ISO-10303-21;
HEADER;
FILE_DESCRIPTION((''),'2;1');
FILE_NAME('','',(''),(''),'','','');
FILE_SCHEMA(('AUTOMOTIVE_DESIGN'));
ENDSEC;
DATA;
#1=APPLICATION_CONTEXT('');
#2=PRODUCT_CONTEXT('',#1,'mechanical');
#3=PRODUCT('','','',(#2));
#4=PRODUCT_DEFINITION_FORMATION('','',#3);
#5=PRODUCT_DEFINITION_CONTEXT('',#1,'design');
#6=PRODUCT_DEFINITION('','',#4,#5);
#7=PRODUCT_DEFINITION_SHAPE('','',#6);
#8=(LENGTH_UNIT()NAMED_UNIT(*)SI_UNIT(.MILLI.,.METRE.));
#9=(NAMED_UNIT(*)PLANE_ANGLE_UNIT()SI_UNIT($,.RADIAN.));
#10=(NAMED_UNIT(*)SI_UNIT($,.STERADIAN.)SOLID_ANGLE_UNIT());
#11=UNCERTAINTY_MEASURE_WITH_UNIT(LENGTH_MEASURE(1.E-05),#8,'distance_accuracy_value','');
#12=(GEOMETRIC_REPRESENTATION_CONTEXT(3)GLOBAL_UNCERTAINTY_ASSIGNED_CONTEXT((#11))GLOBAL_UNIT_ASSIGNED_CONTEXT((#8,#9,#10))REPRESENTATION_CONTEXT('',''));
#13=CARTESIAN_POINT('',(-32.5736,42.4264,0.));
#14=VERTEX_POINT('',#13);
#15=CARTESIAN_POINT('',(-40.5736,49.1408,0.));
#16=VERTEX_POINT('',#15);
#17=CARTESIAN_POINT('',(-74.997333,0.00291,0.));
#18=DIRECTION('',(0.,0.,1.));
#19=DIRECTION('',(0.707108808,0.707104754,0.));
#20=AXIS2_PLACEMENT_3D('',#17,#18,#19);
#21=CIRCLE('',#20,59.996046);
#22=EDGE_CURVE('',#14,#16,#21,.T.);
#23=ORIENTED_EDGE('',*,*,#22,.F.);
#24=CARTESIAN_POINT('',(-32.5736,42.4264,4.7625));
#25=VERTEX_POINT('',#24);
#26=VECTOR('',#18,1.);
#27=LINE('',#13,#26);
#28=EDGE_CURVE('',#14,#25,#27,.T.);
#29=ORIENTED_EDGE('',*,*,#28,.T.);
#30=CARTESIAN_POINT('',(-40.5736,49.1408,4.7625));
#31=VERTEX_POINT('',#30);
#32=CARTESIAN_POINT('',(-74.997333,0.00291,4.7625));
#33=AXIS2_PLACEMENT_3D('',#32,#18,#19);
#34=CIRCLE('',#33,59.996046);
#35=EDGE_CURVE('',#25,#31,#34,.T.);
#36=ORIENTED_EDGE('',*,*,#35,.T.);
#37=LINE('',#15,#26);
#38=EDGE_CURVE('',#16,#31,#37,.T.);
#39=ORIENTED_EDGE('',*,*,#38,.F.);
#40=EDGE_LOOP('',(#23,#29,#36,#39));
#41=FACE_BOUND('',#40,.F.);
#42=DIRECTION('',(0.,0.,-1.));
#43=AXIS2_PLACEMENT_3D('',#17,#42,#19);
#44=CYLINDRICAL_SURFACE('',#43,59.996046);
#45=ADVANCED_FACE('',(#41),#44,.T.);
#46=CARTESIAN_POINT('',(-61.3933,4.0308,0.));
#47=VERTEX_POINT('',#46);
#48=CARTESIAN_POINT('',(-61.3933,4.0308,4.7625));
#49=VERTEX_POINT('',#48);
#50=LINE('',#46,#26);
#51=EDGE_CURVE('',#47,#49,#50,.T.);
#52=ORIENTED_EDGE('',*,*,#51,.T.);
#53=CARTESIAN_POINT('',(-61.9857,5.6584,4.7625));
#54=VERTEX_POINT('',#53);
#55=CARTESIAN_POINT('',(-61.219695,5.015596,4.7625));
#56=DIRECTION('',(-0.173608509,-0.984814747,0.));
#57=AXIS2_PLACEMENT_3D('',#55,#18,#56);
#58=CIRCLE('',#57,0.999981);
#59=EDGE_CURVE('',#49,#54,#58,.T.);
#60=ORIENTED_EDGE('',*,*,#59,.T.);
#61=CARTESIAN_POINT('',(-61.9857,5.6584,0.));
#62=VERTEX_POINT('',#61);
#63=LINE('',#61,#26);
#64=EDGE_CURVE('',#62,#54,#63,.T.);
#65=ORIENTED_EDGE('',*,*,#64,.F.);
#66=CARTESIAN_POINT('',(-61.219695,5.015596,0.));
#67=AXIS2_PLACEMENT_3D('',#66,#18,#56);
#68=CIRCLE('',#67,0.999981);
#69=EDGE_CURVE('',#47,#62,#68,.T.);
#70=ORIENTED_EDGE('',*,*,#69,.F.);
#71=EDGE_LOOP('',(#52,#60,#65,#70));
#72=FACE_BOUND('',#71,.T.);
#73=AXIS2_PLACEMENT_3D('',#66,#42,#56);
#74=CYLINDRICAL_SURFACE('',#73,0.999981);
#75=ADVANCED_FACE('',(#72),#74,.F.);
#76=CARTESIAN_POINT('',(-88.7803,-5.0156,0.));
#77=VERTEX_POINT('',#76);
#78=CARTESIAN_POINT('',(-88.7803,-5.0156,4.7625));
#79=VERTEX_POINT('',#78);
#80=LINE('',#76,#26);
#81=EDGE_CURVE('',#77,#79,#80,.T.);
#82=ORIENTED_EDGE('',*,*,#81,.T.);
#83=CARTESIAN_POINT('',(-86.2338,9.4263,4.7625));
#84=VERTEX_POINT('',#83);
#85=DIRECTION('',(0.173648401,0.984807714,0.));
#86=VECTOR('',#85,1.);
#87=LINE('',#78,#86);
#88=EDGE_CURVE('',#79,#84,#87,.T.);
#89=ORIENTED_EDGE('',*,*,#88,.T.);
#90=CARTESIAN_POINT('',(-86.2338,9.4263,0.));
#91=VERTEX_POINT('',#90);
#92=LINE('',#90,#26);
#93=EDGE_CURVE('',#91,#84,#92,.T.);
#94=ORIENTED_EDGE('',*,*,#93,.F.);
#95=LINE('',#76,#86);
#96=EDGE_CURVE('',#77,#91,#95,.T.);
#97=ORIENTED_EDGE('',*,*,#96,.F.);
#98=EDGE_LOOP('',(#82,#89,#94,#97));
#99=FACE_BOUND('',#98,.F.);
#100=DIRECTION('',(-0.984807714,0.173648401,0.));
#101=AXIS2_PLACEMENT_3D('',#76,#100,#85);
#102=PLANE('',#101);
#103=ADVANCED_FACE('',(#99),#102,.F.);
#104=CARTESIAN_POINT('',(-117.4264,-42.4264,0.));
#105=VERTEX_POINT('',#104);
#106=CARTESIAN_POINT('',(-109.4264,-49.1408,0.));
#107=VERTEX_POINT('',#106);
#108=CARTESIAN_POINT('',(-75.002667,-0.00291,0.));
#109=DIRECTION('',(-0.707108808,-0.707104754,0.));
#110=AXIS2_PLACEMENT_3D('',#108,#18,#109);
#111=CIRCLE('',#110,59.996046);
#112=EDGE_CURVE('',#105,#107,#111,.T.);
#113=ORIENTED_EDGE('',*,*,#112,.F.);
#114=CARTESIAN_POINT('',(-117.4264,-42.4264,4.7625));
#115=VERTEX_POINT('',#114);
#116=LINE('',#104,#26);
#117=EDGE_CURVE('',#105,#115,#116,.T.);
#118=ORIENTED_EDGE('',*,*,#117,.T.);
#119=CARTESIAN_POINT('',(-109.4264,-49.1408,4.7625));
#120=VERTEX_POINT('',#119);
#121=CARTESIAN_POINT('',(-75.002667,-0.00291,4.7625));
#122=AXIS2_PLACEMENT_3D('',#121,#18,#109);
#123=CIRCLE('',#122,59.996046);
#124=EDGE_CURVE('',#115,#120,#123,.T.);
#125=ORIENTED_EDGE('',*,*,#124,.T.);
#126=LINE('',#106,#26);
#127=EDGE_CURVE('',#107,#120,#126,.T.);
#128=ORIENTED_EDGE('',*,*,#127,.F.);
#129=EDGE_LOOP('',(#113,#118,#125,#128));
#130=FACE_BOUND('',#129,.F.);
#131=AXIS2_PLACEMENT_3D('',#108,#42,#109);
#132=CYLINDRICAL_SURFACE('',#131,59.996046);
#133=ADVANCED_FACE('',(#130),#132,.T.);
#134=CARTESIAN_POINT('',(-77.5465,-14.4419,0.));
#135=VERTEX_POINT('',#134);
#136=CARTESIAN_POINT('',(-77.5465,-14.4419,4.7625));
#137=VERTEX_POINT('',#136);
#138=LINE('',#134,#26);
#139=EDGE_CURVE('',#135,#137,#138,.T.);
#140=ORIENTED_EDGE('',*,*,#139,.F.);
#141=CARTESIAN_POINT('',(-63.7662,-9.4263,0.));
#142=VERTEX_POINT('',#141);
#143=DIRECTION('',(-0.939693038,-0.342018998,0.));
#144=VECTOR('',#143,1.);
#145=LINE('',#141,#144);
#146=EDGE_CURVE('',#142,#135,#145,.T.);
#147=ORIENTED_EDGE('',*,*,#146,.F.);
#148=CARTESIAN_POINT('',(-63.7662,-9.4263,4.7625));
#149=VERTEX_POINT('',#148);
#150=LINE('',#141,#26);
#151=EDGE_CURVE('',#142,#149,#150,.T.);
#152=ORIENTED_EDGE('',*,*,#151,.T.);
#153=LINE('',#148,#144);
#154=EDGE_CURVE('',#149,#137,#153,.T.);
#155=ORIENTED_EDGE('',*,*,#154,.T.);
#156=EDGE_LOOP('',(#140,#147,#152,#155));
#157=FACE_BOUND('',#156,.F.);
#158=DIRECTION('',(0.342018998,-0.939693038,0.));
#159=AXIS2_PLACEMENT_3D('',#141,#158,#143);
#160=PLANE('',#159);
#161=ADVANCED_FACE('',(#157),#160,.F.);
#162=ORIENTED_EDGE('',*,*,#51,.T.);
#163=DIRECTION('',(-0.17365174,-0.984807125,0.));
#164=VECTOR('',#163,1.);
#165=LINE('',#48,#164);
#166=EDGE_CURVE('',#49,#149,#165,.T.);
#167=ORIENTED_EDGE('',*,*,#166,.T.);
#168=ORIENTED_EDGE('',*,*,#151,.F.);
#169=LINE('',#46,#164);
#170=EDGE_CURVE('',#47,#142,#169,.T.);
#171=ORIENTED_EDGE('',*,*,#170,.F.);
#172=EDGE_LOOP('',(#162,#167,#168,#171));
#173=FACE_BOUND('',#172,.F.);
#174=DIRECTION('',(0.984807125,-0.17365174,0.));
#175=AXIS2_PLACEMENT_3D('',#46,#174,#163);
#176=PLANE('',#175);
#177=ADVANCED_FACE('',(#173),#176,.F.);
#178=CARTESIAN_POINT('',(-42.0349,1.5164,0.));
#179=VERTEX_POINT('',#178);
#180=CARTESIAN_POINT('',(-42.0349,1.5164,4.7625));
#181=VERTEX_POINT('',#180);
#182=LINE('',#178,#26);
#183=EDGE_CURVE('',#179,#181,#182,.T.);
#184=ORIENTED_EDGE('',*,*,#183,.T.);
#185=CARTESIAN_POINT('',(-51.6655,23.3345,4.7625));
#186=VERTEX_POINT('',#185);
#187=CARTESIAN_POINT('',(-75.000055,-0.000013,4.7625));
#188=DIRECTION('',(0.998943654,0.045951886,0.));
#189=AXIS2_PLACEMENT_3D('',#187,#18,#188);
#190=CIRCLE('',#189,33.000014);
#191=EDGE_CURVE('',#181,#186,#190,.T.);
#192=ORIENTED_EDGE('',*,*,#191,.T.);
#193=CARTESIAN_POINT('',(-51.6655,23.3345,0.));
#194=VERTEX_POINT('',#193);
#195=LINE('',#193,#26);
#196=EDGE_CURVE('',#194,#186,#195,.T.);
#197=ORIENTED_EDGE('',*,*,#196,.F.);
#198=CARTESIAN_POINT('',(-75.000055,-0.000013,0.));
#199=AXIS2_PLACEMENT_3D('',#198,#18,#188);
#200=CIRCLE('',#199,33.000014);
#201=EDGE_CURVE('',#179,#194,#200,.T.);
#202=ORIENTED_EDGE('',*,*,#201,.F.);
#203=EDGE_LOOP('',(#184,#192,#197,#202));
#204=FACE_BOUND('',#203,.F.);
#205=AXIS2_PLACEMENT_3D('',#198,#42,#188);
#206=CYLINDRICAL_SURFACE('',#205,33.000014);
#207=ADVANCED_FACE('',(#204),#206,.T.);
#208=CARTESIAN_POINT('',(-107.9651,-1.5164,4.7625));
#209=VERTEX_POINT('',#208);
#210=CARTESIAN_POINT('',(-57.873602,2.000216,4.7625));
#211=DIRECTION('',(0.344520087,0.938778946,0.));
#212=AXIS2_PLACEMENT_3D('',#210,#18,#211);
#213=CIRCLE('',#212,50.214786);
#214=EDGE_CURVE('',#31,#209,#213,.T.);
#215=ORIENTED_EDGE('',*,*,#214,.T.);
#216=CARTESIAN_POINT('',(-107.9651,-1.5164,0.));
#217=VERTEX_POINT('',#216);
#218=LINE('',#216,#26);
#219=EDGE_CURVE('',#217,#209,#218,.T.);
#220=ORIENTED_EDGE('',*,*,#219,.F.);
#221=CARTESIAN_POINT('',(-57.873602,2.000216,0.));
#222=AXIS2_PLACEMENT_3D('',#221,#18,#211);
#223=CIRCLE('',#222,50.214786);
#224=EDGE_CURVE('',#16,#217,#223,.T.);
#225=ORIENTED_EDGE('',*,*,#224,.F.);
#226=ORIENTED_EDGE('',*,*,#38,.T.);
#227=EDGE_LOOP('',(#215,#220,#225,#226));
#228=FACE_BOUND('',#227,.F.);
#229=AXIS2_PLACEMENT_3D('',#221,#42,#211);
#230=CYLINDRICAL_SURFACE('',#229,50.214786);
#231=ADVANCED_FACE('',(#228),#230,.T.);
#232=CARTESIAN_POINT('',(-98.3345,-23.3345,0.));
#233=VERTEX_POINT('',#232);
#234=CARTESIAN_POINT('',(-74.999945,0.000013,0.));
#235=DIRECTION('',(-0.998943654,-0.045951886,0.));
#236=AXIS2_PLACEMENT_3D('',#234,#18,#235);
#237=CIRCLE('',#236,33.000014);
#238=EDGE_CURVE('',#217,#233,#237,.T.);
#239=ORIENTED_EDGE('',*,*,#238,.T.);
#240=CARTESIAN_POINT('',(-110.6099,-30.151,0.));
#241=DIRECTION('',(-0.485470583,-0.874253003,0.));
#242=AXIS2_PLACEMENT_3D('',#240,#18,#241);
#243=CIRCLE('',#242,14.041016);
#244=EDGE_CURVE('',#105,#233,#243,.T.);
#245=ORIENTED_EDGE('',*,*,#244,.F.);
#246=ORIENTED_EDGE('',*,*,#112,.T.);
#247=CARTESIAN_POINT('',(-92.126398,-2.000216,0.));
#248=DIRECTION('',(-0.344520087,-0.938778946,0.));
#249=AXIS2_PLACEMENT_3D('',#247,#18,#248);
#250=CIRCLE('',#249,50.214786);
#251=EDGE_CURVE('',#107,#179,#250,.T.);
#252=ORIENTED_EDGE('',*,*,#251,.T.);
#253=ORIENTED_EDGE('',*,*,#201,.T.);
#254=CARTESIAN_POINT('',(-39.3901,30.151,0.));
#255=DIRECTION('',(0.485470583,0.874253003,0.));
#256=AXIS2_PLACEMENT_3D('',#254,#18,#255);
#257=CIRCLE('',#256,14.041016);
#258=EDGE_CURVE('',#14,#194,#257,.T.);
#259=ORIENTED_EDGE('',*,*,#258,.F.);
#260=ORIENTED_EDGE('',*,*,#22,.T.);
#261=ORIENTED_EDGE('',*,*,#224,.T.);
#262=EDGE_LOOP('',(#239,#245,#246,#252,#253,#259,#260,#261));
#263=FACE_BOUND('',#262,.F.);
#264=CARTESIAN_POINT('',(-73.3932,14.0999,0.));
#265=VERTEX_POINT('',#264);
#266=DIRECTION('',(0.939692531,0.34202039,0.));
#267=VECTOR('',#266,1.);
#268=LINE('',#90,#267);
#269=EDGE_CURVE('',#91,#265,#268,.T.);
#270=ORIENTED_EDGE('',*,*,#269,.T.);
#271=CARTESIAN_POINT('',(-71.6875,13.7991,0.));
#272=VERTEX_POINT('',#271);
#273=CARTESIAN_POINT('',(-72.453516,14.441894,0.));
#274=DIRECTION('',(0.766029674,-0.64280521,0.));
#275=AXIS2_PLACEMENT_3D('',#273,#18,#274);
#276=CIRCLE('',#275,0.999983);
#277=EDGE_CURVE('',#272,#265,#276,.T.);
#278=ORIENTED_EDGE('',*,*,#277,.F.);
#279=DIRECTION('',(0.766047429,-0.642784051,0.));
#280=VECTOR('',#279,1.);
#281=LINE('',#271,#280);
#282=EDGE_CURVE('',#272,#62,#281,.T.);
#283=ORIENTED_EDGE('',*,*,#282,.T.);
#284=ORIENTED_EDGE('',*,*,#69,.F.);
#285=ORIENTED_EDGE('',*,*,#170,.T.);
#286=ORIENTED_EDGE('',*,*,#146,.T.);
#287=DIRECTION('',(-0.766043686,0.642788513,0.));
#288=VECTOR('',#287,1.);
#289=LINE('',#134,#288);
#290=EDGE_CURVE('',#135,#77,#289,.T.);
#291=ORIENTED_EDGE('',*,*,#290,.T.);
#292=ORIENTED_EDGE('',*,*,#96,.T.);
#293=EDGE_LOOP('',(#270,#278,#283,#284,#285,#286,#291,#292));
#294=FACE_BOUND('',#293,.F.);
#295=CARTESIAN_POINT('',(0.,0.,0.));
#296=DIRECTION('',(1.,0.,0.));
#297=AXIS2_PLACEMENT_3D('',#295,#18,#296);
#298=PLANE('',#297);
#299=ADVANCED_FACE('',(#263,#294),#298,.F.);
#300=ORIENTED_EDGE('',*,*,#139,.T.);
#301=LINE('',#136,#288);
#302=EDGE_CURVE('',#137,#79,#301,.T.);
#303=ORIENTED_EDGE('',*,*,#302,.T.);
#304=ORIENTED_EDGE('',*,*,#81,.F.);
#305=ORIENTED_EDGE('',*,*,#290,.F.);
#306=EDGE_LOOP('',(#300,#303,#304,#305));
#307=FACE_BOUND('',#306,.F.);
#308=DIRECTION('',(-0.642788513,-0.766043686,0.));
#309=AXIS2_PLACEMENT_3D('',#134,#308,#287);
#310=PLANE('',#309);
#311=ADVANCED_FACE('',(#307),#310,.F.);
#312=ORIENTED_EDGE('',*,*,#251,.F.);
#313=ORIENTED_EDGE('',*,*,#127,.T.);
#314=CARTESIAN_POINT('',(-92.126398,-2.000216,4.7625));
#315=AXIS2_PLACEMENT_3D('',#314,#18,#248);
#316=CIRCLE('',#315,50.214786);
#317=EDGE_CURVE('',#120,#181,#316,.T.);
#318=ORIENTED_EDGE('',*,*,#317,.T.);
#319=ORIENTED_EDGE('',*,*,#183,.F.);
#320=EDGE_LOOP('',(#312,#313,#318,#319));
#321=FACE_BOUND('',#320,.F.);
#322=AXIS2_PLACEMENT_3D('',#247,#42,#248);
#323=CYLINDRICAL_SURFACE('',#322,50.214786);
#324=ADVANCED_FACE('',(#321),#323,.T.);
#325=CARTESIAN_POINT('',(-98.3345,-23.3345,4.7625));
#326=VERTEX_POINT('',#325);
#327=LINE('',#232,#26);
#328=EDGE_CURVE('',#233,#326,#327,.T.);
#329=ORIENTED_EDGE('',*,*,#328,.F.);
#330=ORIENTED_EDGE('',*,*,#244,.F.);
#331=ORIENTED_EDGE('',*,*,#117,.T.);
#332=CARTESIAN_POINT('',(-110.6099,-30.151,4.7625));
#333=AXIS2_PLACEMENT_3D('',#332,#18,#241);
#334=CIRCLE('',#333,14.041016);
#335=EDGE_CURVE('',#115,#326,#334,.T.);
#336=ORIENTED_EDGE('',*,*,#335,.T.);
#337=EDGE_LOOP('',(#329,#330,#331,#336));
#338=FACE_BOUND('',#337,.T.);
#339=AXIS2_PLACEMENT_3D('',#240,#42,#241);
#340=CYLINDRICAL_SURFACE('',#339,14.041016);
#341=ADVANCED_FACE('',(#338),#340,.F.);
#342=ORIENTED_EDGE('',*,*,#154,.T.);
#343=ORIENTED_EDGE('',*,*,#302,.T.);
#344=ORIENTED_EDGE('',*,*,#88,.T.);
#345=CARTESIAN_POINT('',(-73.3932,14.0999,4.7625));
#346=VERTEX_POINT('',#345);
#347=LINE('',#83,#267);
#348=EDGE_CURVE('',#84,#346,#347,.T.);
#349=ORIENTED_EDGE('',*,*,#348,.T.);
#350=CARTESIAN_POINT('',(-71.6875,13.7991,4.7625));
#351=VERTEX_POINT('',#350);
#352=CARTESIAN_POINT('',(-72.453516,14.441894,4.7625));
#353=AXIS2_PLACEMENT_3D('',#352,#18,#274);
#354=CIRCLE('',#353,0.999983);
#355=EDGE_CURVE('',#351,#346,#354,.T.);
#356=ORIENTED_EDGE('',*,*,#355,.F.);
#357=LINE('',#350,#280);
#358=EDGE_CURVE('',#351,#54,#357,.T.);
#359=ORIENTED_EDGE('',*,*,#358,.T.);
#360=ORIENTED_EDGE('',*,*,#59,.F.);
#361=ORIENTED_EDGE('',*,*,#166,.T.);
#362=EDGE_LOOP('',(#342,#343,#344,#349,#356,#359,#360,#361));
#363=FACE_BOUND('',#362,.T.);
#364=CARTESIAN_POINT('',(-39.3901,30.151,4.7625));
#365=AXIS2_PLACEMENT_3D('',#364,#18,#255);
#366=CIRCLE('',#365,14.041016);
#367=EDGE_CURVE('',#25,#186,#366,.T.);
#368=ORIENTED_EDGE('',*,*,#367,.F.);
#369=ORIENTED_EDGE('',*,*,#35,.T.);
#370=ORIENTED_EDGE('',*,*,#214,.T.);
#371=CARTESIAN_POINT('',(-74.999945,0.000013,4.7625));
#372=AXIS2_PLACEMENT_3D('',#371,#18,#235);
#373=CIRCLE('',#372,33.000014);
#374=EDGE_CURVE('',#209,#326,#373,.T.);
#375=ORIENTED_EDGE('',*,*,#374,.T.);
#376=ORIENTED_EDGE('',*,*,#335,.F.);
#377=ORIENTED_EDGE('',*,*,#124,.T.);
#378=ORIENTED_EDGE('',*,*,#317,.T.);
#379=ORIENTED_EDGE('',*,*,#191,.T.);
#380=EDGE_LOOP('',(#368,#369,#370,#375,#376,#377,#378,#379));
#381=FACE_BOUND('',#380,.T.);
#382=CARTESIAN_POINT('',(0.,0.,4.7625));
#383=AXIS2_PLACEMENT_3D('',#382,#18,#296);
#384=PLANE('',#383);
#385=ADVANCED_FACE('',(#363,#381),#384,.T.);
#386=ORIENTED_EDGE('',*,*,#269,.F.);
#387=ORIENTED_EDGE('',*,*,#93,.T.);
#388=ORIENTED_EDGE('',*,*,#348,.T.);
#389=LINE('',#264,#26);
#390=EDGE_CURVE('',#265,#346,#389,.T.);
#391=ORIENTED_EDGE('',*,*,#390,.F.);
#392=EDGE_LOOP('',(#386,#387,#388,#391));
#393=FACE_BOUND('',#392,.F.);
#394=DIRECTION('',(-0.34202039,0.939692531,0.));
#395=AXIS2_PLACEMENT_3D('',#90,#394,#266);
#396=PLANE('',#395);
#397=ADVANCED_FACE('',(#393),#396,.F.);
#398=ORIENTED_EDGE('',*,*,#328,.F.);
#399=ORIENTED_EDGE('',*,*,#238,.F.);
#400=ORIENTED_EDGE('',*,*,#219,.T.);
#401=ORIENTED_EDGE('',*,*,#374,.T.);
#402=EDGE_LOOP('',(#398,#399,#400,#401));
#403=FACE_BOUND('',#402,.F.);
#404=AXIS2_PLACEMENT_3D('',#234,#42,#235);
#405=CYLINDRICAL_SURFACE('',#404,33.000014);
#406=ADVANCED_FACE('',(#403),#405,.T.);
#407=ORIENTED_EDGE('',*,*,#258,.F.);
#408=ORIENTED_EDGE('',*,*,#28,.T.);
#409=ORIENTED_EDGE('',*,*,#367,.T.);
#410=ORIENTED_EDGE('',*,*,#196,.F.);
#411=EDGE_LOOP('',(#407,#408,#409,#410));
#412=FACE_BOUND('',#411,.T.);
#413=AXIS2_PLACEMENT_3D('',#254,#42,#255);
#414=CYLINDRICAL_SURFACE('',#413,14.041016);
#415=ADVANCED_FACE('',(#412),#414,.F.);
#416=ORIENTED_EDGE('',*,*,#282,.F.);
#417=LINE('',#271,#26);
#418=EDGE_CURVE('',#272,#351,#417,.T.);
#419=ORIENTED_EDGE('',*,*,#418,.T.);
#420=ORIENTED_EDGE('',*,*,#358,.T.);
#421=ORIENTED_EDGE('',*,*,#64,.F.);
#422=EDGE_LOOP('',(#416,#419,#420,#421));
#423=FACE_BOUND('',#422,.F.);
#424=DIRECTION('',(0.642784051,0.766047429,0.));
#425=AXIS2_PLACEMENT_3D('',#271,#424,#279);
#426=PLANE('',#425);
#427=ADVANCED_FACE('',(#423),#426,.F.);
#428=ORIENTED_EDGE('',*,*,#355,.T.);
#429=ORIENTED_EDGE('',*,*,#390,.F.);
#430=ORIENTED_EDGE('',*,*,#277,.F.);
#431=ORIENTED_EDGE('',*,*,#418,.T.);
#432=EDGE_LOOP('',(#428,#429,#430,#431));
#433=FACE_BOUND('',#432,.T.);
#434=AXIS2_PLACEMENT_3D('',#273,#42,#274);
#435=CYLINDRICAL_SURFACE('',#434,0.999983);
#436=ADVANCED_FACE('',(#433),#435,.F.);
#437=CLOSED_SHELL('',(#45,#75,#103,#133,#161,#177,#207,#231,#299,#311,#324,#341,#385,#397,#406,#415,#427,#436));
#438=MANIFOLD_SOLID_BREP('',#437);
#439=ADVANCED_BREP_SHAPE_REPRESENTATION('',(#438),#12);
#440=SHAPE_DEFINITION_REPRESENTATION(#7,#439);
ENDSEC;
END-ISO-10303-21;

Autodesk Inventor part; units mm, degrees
ref_plane "YZ Plane" through (0, 0, 0) normal (1, 0, 0) x (0, 1, 0)
ref_plane "XZ Plane" through (0, 0, 0) normal (0, 1, 0) x (-1, 0, 0)
ref_plane "XY Plane" through (0, 0, 0) normal (0, 0, 1) x (1, 0, 0)
sketch "Sketch1" plane through (0, 0, 0) normal (0, 0, 1) x (1, 0, 0)
  arc A0 (-117.4264, -42.4264) -> (-98.3345, -23.3345) centre (-110.6099, -30.151) ccw
  arc A1 (-117.4264, -42.4264) -> (-109.4264, -49.1408) centre (-75, 0) ccw
  arc A2 (-109.4264, -49.1408) -> (-42.0349, 1.5164) centre (-92.1264, -2.0002) ccw
  arc A3 (-42.0349, 1.5164) -> (-51.6655, 23.3345) centre (-75, 0) ccw
  arc A4 (-32.5736, 42.4264) -> (-51.6655, 23.3345) centre (-39.3901, 30.151) ccw
  arc A5 (-32.5736, 42.4264) -> (-40.5736, 49.1408) centre (-75, 0) ccw
  arc A6 (-40.5736, 49.1408) -> (-107.9651, -1.5164) centre (-57.8736, 2.0002) ccw
  arc A7 (-107.9651, -1.5164) -> (-98.3345, -23.3345) centre (-75, 0) ccw
  line L0 (-71.6875, 13.7991) -> (-61.9857, 5.6584)
  arc A8 (-61.3933, 4.0308) -> (-61.9857, 5.6584) centre (-61.2197, 5.0156) ccw
  line L1 (-61.3933, 4.0308) -> (-63.7662, -9.4263)
  line L2 (-63.7662, -9.4263) -> (-77.5465, -14.4419)
  line L3 (-77.5465, -14.4419) -> (-88.7803, -5.0156)
  line L4 (-88.7803, -5.0156) -> (-86.2338, 9.4263)
  line L5 (-86.2338, 9.4263) -> (-73.3932, 14.0999)
  arc A9 (-71.6875, 13.7991) -> (-73.3932, 14.0999) centre (-72.4535, 14.4419) ccw
  arc A10 (-109.4264, -49.1408) -> (-42.0349, 1.5164) centre (-92.1264, -2.0002) ccw
  arc A11 (-117.4264, -42.4264) -> (-109.4264, -49.1408) centre (-75, 0) ccw
  arc A12 (-117.4264, -42.4264) -> (-98.3345, -23.3345) centre (-110.6099, -30.151) ccw
  arc A13 (-107.9651, -1.5164) -> (-98.3345, -23.3345) centre (-75, 0) ccw
  arc A14 (-40.5736, 49.1408) -> (-107.9651, -1.5164) centre (-57.8736, 2.0002) ccw
  arc A15 (-32.5736, 42.4264) -> (-40.5736, 49.1408) centre (-75, 0) ccw
  arc A16 (-32.5736, 42.4264) -> (-51.6655, 23.3345) centre (-39.3901, 30.151) ccw
  arc A17 (-42.0349, 1.5164) -> (-51.6655, 23.3345) centre (-75, 0) ccw
  arc A18 (-109.4264, -49.1408) -> (-42.0349, 1.5164) centre (-92.1264, -2.0002) ccw
  point P0 (0, 0)
extrude "Extrusion1" add sketch "Sketch1" along normal blind 4.7625
properties part number "3-16inch_Knife2_Piece1"
